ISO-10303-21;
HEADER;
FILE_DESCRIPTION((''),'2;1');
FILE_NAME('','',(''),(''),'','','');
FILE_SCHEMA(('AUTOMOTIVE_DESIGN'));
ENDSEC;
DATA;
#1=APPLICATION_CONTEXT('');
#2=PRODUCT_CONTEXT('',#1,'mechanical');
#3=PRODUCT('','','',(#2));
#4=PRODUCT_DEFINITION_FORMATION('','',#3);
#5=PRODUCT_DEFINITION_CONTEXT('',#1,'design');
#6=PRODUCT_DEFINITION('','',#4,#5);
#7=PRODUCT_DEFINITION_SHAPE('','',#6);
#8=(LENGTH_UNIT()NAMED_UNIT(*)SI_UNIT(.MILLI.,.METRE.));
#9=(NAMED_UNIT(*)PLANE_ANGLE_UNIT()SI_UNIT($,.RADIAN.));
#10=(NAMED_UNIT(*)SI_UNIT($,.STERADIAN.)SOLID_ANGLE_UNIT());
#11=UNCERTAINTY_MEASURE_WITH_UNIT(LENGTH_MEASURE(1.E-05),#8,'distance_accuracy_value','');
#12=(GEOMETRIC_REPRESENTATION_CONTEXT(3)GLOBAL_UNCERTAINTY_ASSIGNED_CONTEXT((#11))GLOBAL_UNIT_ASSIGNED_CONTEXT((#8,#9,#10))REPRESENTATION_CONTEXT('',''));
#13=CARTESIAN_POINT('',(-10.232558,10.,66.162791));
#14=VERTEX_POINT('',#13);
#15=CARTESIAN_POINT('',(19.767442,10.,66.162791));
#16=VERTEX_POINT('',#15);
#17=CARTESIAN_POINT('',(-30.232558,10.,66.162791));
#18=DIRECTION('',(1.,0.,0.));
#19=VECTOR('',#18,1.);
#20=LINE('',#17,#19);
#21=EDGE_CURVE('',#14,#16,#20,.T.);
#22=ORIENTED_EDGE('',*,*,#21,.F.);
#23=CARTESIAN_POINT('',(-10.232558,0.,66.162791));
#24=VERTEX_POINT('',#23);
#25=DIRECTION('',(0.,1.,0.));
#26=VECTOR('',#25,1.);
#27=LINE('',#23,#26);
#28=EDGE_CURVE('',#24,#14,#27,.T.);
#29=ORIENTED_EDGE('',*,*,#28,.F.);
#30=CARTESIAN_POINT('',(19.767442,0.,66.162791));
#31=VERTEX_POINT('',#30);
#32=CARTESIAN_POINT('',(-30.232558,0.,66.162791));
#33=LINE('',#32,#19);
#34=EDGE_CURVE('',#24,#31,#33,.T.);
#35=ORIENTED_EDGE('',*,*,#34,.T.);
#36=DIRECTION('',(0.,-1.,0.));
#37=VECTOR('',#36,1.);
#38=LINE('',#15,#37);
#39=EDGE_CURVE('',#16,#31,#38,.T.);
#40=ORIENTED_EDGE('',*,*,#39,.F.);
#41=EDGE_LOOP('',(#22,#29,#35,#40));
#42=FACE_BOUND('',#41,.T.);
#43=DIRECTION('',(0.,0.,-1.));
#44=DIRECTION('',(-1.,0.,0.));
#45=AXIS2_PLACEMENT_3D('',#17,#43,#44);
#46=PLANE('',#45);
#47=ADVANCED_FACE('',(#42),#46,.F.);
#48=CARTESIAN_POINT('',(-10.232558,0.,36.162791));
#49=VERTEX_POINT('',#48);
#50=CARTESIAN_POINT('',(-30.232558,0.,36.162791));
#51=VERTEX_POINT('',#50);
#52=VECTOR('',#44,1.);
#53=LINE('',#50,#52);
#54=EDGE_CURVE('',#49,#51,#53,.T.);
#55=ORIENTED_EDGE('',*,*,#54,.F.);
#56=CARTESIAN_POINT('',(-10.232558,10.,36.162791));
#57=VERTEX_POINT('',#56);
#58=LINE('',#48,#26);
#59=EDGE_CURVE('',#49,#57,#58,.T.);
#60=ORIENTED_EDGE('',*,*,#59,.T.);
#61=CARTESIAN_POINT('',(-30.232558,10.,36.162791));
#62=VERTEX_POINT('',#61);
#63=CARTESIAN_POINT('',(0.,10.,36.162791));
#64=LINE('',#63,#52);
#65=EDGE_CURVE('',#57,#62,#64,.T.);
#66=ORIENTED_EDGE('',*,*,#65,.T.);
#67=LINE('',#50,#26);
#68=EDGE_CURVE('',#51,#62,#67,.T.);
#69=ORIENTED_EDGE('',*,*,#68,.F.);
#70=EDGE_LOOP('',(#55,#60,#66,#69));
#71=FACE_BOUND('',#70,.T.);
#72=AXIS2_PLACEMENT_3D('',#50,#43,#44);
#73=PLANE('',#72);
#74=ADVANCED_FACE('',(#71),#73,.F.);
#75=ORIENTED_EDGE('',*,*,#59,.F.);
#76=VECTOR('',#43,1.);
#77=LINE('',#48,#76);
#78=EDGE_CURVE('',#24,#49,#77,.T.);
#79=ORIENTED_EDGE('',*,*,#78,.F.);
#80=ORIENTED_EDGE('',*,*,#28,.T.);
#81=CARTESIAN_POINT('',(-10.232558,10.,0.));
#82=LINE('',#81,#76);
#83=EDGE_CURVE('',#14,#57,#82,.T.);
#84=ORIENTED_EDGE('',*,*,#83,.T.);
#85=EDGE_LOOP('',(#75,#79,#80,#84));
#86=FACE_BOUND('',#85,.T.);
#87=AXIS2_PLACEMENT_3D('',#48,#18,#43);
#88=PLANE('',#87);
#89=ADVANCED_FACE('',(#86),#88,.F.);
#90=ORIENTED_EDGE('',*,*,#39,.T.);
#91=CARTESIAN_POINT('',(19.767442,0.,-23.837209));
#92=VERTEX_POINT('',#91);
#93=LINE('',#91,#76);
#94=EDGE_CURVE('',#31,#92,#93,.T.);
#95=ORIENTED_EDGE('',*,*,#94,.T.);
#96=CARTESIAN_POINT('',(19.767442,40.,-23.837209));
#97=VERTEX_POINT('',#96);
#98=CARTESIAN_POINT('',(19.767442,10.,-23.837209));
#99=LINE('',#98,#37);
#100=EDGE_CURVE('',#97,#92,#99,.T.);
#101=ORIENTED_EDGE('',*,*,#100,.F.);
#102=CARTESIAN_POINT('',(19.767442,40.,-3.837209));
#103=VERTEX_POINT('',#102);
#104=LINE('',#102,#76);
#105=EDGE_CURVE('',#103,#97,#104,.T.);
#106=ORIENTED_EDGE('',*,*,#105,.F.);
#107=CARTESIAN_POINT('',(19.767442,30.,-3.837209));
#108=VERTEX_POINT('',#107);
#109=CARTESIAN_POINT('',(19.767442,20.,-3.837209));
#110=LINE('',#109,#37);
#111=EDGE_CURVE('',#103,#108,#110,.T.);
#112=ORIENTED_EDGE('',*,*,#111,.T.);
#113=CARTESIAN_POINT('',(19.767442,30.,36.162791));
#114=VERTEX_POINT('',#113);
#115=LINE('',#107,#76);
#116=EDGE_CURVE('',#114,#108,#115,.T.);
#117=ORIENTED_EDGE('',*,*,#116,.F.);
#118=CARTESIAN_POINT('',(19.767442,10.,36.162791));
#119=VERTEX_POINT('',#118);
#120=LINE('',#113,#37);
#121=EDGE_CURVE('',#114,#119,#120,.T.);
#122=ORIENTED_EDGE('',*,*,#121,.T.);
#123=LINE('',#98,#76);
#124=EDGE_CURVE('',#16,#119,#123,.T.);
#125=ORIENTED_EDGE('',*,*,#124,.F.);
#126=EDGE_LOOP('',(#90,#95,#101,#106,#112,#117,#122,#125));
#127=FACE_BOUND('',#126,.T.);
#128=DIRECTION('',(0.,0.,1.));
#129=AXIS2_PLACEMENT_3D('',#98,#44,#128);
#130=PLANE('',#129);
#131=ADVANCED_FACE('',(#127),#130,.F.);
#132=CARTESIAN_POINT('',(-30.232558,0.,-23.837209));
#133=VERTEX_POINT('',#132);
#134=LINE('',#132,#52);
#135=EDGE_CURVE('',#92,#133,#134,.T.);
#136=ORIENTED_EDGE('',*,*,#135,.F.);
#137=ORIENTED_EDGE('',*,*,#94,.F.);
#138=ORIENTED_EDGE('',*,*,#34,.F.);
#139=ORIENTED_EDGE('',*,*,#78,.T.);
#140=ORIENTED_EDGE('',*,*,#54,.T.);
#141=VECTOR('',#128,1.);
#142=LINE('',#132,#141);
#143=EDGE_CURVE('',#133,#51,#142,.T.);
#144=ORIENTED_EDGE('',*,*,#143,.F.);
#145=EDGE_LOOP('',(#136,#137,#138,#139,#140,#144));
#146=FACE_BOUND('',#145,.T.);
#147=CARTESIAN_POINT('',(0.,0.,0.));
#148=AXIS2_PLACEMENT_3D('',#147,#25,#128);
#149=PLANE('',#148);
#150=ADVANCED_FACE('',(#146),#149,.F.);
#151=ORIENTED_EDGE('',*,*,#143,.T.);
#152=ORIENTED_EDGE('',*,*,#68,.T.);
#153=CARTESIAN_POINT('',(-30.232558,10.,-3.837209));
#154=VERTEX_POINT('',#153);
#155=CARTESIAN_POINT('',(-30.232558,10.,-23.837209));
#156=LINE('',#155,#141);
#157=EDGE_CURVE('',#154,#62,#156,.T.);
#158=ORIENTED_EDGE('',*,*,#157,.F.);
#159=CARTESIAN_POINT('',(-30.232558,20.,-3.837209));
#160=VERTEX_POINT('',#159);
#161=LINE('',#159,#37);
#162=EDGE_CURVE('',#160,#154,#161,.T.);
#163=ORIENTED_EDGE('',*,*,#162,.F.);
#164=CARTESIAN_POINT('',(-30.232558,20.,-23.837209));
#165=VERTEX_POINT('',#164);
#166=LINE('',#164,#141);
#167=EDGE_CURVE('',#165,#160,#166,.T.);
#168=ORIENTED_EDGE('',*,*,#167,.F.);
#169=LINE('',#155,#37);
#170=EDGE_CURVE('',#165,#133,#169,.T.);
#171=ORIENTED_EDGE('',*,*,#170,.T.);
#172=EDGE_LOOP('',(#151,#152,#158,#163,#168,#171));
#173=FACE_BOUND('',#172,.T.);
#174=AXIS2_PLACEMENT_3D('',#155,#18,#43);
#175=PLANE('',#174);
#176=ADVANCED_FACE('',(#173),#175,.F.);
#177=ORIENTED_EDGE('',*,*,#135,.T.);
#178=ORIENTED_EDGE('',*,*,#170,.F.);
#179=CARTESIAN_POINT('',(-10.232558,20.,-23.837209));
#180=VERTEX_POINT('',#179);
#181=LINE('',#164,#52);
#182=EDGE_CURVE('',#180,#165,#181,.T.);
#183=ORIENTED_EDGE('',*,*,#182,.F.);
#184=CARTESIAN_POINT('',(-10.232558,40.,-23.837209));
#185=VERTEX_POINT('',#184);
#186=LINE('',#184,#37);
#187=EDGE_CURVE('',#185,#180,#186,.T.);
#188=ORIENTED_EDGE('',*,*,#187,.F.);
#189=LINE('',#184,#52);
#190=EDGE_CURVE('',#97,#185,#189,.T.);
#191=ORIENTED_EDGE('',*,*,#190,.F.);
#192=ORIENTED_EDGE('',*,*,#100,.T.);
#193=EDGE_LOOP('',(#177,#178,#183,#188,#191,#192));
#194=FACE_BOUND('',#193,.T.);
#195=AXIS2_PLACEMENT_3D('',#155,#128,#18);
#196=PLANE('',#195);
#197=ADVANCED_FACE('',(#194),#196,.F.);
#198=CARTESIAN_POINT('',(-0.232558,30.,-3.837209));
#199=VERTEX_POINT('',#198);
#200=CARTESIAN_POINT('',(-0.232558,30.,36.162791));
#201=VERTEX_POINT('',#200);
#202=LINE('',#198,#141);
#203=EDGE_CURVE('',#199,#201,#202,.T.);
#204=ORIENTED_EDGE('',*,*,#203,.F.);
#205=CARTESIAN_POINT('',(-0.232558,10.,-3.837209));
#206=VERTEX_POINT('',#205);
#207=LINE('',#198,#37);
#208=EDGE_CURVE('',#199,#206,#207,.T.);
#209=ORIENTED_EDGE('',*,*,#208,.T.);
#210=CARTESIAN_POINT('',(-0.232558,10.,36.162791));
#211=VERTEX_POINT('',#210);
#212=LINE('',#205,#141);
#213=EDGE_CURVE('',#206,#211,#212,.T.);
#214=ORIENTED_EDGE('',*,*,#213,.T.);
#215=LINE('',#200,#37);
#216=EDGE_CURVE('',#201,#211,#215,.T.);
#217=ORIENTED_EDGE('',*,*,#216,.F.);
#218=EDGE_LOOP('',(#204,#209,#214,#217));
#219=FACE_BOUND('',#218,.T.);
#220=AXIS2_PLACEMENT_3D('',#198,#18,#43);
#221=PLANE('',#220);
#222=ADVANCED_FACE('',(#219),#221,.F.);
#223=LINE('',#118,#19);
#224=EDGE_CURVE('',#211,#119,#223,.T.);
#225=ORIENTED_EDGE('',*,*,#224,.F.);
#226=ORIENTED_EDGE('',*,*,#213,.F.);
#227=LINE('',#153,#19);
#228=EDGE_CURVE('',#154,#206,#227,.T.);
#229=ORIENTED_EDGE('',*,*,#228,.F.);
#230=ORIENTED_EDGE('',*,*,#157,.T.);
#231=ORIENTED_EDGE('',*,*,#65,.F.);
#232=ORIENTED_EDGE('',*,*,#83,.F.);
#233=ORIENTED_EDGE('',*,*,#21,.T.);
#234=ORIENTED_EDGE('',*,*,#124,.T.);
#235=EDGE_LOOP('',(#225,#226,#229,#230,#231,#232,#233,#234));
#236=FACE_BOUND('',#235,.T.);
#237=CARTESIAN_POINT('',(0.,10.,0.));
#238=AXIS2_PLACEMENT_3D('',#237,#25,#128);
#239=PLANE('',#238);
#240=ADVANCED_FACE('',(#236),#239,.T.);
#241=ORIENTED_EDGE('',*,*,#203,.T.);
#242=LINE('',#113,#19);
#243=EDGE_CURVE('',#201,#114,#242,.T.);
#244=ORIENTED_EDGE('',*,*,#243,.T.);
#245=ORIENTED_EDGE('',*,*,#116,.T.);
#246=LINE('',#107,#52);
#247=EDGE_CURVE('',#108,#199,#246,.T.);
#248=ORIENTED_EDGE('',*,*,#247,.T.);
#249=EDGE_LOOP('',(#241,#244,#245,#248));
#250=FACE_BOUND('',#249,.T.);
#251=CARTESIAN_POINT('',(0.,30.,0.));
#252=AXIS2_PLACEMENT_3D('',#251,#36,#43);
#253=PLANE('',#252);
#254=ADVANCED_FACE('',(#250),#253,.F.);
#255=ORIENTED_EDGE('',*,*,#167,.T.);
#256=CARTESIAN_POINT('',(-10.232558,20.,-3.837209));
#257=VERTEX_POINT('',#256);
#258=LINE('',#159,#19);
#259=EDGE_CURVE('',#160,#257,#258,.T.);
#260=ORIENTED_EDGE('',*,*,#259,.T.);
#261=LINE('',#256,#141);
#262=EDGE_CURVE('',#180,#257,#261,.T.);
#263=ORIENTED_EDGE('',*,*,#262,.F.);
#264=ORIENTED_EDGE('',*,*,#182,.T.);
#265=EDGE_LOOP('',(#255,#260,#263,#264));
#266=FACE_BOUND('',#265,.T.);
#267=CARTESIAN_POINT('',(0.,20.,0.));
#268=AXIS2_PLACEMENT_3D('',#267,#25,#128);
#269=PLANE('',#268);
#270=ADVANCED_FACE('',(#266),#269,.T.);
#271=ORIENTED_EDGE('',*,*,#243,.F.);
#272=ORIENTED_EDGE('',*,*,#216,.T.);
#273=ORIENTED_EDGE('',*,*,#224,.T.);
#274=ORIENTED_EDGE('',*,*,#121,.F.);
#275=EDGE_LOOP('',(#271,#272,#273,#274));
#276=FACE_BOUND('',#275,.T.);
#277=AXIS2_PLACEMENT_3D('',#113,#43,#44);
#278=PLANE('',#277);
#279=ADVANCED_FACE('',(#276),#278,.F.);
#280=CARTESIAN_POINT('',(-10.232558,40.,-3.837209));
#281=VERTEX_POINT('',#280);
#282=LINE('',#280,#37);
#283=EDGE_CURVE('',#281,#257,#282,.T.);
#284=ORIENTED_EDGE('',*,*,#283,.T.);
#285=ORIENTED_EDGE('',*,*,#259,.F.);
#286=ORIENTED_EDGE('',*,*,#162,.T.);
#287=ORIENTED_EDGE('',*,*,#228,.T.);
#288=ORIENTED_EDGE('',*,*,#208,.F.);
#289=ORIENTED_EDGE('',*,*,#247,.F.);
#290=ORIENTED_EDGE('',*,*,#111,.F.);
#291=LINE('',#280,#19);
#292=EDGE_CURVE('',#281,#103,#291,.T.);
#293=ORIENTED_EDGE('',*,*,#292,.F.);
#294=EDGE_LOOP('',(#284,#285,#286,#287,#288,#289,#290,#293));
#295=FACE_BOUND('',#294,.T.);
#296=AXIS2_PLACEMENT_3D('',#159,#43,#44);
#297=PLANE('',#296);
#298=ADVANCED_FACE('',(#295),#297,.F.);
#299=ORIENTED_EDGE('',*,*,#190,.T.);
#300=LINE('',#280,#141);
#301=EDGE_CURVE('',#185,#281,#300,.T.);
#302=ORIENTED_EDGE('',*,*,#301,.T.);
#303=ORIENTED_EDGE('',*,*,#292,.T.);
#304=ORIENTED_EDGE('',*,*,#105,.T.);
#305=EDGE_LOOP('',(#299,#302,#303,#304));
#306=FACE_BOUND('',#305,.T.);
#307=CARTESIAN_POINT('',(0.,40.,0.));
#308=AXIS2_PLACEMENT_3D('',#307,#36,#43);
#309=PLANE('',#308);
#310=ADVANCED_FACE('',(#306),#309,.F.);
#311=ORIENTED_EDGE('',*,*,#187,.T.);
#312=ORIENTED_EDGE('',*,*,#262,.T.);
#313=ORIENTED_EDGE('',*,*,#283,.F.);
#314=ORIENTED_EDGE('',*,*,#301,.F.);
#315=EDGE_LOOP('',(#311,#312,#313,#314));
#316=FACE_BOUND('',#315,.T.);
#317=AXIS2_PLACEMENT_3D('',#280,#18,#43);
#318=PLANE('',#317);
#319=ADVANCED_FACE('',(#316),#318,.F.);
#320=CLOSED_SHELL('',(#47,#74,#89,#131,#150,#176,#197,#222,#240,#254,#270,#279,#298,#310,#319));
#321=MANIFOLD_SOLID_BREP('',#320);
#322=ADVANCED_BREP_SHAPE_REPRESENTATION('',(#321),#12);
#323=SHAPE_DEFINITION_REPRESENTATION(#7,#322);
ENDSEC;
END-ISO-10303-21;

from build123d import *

# Parameters (mm, degrees)
SKETCH1_W               = 50
SKETCH1_H               = 90
BOSS_EXTRUDE1_DEPTH     = 10
SKETCH2_W               = 20
SKETCH2_H               = 30
CUT_EXTRUDE1_DEPTH      = 1
CUT_EXTRUDE1_DEPTH_BACK = 11
SKETCH5_W               = 50
SKETCH5_H               = 20
BOSS_EXTRUDE3_DEPTH     = 10
SKETCH6_W               = 30
SKETCH6_H               = 20
BOSS_EXTRUDE4_DEPTH     = 20
SKETCH7_W               = 20
SKETCH7_H               = 40
BOSS_EXTRUDE5_DEPTH     = 20


with BuildPart() as part:
    # Sketch1 → Boss-Extrude1 (new body)
    with BuildSketch(Plane(origin=(0, 0, 0), x_dir=(1, 0, 0), z_dir=(0, 1, 0))):
        with Locations((-5.23255814, -21.162790698)):
            Rectangle(SKETCH1_W, SKETCH1_H)
    extrude(amount=BOSS_EXTRUDE1_DEPTH)

    # Sketch2 → Cut-Extrude1 (cut, two sides)
    with BuildSketch(Plane(origin=(0, 10, 0), x_dir=(1, 0, 0), z_dir=(0, 1, 0))) as cut_extrude1_sk:
        with Locations((-20.23255814, -51.162790698)):
            Rectangle(SKETCH2_W, SKETCH2_H)
    extrude(amount=CUT_EXTRUDE1_DEPTH, mode=Mode.SUBTRACT)
    extrude(cut_extrude1_sk.sketch, amount=-CUT_EXTRUDE1_DEPTH_BACK, mode=Mode.SUBTRACT)

    # Sketch5 → Boss-Extrude3 (add)
    with BuildSketch(Plane(origin=(0, 10, 0), x_dir=(1, 0, 0), z_dir=(0, 1, 0))):
        with Locations((-5.23255814, 13.837209302)):
            Rectangle(SKETCH5_W, SKETCH5_H)
    extrude(amount=BOSS_EXTRUDE3_DEPTH)

    # Sketch6 → Boss-Extrude4 (add)
    with BuildSketch(Plane(origin=(0, 20, 0), x_dir=(1, 0, 0), z_dir=(0, 1, 0))):
        with Locations((4.76744186, 13.837209302)):
            Rectangle(SKETCH6_W, SKETCH6_H)
    extrude(amount=BOSS_EXTRUDE4_DEPTH)

    # Sketch7 → Boss-Extrude5 (add)
    with BuildSketch(Plane(origin=(0, 10, 0), x_dir=(1, 0, 0), z_dir=(0, 1, 0))):
        with Locations((9.76744186, -16.162790698)):
            Rectangle(SKETCH7_W, SKETCH7_H)
    extrude(amount=BOSS_EXTRUDE5_DEPTH)


solid = part.part
